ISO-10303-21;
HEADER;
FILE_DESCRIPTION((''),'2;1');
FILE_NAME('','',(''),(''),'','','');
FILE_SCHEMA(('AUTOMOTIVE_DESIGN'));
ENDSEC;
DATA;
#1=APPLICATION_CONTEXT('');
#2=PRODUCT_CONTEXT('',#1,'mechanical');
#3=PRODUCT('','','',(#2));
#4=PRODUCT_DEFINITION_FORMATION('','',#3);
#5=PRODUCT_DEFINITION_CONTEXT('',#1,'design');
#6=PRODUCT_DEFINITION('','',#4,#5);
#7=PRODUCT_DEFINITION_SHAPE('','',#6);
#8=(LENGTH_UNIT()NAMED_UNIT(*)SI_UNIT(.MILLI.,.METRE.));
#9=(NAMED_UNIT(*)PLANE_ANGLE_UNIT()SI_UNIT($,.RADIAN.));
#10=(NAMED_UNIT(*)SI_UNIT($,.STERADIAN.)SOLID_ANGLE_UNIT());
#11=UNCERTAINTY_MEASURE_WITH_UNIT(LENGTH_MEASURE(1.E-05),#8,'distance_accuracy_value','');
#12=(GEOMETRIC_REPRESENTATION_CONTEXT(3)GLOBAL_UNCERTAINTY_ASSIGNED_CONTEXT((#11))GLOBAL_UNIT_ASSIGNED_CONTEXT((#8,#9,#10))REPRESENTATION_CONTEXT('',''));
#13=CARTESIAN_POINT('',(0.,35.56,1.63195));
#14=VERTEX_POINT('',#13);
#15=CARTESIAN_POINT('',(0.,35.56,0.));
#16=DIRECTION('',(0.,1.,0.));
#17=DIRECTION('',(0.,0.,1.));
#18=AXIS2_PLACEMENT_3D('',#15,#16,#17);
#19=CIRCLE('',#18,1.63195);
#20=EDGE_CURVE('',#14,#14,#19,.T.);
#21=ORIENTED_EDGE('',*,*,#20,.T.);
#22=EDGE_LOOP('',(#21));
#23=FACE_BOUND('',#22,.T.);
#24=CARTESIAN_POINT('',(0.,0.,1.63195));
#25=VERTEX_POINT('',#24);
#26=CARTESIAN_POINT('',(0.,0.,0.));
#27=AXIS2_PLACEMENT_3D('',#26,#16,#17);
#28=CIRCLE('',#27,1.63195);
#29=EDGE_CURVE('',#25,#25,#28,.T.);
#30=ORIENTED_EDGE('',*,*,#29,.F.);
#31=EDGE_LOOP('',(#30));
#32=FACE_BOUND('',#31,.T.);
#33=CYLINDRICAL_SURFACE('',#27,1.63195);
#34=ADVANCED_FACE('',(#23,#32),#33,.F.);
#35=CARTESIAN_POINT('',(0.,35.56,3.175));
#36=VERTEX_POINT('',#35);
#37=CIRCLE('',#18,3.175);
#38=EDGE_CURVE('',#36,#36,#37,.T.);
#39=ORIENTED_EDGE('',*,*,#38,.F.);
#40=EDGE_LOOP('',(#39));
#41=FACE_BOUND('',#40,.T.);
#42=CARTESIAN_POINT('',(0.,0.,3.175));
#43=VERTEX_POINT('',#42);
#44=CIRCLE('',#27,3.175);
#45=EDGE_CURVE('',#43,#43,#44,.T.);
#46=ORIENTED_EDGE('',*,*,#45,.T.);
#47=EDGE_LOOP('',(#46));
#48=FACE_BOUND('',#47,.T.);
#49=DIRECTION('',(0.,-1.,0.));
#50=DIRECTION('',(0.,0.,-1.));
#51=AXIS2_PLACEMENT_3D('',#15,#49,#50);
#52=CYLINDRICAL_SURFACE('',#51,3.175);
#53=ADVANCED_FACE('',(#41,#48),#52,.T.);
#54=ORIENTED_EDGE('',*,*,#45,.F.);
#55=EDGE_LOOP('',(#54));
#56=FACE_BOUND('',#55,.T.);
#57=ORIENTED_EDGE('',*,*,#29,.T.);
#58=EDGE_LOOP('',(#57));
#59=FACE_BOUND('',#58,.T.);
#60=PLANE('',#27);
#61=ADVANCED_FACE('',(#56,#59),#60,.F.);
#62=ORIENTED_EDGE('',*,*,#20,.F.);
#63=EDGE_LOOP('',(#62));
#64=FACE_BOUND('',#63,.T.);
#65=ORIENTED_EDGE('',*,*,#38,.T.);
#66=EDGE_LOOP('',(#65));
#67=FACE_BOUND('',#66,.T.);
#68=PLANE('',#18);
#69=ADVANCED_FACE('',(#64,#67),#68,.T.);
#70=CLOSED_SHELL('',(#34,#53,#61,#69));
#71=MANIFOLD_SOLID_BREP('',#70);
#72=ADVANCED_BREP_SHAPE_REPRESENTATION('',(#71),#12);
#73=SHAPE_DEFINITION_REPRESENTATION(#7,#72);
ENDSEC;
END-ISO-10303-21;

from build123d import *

# Parameters (mm, degrees)
SKETCH1_R           = 3.175
BOSS_EXTRUDE1_DEPTH = 35.56
SKETCH2_R           = 1.63195
CUT_EXTRUDE1_DEPTH  = 36.842361111


with BuildPart() as part:
    # Sketch1 → Boss-Extrude1 (new body)
    with BuildSketch(Plane(origin=(0, 0, 0), x_dir=(1, 0, 0), z_dir=(0, 1, 0))):
        with Locations(Location((0, 0, 0), (0, 0, 270))):
            Circle(SKETCH1_R)
    extrude(amount=BOSS_EXTRUDE1_DEPTH)

    # Sketch2 → Cut-Extrude1 (cut, through all)
    with BuildSketch(Plane(origin=(0, 35.56, 0), x_dir=(1, 0, 0), z_dir=(0, 1, 0))):
        with Locations(Location((0, 0, 0), (0, 0, 270))):
            Circle(SKETCH2_R)
    extrude(amount=-CUT_EXTRUDE1_DEPTH, mode=Mode.SUBTRACT)


solid = part.part
